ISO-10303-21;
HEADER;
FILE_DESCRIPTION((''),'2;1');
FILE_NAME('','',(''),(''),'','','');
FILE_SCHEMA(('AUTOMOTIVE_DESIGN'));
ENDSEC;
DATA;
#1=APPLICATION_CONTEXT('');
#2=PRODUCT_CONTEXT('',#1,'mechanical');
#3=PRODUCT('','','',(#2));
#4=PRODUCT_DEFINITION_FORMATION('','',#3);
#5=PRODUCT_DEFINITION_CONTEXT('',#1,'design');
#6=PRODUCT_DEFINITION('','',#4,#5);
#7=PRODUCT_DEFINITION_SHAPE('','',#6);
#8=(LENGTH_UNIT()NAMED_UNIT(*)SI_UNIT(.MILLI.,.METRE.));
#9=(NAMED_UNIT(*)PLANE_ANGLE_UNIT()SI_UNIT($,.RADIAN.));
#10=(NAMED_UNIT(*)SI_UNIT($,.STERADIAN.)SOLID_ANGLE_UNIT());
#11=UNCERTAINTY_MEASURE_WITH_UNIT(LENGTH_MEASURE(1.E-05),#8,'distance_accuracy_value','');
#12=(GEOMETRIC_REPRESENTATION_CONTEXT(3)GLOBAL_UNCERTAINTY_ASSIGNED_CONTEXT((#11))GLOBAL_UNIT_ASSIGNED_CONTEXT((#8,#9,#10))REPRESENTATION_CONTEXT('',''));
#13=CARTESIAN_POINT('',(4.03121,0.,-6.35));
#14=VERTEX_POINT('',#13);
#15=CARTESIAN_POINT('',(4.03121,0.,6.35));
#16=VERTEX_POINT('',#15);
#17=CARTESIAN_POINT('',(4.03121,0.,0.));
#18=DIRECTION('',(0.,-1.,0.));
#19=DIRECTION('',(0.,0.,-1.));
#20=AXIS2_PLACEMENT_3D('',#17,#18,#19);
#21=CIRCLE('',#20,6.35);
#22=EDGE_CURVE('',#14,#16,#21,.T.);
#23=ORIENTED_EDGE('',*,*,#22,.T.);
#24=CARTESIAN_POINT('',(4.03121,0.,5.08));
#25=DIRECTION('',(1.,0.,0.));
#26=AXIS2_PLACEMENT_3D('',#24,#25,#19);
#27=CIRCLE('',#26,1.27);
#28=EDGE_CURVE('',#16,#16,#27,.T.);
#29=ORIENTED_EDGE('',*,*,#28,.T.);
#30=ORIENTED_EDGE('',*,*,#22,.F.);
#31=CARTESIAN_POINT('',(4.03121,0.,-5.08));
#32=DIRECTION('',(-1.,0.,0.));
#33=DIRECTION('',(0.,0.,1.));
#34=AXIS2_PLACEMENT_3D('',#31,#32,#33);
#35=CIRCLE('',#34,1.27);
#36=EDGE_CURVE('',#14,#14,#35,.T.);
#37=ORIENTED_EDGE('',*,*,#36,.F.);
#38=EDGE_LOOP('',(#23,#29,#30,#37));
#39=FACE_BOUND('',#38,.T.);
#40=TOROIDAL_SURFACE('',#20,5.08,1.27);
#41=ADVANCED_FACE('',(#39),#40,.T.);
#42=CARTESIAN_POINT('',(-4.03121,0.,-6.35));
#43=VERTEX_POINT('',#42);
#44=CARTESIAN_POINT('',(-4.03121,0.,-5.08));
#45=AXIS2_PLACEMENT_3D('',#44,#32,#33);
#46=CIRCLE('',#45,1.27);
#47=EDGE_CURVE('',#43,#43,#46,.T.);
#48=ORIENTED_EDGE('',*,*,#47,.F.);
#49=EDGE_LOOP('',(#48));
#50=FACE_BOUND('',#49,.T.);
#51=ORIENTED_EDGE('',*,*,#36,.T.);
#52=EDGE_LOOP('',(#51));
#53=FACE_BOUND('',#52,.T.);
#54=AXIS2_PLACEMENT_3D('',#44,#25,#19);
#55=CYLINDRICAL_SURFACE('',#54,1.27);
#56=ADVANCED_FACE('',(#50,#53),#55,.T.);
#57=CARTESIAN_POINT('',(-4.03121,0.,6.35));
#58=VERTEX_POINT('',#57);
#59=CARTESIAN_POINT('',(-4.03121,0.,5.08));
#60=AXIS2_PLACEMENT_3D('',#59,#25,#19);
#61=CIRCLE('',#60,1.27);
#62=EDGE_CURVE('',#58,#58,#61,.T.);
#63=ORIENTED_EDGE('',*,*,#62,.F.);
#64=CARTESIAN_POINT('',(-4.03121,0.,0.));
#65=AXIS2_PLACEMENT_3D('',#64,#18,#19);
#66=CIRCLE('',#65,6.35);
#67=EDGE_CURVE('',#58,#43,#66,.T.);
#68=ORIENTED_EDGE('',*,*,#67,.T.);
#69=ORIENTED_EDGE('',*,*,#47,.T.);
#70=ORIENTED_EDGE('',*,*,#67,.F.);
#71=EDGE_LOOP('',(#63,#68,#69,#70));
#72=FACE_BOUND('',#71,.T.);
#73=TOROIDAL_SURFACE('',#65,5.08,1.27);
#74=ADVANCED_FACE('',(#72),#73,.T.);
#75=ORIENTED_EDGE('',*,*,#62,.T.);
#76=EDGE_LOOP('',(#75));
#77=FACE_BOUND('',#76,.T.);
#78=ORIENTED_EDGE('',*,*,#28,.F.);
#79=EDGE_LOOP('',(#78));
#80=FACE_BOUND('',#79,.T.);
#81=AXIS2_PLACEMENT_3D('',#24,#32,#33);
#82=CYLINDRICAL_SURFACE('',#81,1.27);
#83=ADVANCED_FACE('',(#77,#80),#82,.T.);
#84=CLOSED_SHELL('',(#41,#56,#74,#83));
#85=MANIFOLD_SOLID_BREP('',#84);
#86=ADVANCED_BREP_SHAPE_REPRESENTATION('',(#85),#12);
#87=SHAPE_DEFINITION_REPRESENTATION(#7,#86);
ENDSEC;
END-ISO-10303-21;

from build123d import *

# Parameters (mm, degrees)
SWEEP1_PROFILE_R = 1.27


with BuildPart() as part:
    # Sweep1: sweep along a path in Sketch1
    with BuildLine(Plane(origin=(0, 0, 0), x_dir=(1, 0, 0), z_dir=(0, 1, 0))) as sweep1_path:
        Line((-4.031209648, 5.08), (4.031209648, 5.08))
        ThreePointArc((4.031209648, 5.08), (9.111209648, 0), (4.031209648, -5.08))
        Line((4.031209648, -5.08), (-4.031209648, -5.08))
        ThreePointArc((-4.031209648, -5.08), (-9.111209648, 0), (-4.031209648, 5.08))
    # Sweep1 profile (on start of the path) → Sweep1 (sweep)
    with BuildSketch(Plane(origin=(-4.031209648, 0, -5.08), x_dir=(0, 0, 1), z_dir=(1, 0, 0))):
        Circle(SWEEP1_PROFILE_R)
    sweep(path=sweep1_path.line)


solid = part.part
